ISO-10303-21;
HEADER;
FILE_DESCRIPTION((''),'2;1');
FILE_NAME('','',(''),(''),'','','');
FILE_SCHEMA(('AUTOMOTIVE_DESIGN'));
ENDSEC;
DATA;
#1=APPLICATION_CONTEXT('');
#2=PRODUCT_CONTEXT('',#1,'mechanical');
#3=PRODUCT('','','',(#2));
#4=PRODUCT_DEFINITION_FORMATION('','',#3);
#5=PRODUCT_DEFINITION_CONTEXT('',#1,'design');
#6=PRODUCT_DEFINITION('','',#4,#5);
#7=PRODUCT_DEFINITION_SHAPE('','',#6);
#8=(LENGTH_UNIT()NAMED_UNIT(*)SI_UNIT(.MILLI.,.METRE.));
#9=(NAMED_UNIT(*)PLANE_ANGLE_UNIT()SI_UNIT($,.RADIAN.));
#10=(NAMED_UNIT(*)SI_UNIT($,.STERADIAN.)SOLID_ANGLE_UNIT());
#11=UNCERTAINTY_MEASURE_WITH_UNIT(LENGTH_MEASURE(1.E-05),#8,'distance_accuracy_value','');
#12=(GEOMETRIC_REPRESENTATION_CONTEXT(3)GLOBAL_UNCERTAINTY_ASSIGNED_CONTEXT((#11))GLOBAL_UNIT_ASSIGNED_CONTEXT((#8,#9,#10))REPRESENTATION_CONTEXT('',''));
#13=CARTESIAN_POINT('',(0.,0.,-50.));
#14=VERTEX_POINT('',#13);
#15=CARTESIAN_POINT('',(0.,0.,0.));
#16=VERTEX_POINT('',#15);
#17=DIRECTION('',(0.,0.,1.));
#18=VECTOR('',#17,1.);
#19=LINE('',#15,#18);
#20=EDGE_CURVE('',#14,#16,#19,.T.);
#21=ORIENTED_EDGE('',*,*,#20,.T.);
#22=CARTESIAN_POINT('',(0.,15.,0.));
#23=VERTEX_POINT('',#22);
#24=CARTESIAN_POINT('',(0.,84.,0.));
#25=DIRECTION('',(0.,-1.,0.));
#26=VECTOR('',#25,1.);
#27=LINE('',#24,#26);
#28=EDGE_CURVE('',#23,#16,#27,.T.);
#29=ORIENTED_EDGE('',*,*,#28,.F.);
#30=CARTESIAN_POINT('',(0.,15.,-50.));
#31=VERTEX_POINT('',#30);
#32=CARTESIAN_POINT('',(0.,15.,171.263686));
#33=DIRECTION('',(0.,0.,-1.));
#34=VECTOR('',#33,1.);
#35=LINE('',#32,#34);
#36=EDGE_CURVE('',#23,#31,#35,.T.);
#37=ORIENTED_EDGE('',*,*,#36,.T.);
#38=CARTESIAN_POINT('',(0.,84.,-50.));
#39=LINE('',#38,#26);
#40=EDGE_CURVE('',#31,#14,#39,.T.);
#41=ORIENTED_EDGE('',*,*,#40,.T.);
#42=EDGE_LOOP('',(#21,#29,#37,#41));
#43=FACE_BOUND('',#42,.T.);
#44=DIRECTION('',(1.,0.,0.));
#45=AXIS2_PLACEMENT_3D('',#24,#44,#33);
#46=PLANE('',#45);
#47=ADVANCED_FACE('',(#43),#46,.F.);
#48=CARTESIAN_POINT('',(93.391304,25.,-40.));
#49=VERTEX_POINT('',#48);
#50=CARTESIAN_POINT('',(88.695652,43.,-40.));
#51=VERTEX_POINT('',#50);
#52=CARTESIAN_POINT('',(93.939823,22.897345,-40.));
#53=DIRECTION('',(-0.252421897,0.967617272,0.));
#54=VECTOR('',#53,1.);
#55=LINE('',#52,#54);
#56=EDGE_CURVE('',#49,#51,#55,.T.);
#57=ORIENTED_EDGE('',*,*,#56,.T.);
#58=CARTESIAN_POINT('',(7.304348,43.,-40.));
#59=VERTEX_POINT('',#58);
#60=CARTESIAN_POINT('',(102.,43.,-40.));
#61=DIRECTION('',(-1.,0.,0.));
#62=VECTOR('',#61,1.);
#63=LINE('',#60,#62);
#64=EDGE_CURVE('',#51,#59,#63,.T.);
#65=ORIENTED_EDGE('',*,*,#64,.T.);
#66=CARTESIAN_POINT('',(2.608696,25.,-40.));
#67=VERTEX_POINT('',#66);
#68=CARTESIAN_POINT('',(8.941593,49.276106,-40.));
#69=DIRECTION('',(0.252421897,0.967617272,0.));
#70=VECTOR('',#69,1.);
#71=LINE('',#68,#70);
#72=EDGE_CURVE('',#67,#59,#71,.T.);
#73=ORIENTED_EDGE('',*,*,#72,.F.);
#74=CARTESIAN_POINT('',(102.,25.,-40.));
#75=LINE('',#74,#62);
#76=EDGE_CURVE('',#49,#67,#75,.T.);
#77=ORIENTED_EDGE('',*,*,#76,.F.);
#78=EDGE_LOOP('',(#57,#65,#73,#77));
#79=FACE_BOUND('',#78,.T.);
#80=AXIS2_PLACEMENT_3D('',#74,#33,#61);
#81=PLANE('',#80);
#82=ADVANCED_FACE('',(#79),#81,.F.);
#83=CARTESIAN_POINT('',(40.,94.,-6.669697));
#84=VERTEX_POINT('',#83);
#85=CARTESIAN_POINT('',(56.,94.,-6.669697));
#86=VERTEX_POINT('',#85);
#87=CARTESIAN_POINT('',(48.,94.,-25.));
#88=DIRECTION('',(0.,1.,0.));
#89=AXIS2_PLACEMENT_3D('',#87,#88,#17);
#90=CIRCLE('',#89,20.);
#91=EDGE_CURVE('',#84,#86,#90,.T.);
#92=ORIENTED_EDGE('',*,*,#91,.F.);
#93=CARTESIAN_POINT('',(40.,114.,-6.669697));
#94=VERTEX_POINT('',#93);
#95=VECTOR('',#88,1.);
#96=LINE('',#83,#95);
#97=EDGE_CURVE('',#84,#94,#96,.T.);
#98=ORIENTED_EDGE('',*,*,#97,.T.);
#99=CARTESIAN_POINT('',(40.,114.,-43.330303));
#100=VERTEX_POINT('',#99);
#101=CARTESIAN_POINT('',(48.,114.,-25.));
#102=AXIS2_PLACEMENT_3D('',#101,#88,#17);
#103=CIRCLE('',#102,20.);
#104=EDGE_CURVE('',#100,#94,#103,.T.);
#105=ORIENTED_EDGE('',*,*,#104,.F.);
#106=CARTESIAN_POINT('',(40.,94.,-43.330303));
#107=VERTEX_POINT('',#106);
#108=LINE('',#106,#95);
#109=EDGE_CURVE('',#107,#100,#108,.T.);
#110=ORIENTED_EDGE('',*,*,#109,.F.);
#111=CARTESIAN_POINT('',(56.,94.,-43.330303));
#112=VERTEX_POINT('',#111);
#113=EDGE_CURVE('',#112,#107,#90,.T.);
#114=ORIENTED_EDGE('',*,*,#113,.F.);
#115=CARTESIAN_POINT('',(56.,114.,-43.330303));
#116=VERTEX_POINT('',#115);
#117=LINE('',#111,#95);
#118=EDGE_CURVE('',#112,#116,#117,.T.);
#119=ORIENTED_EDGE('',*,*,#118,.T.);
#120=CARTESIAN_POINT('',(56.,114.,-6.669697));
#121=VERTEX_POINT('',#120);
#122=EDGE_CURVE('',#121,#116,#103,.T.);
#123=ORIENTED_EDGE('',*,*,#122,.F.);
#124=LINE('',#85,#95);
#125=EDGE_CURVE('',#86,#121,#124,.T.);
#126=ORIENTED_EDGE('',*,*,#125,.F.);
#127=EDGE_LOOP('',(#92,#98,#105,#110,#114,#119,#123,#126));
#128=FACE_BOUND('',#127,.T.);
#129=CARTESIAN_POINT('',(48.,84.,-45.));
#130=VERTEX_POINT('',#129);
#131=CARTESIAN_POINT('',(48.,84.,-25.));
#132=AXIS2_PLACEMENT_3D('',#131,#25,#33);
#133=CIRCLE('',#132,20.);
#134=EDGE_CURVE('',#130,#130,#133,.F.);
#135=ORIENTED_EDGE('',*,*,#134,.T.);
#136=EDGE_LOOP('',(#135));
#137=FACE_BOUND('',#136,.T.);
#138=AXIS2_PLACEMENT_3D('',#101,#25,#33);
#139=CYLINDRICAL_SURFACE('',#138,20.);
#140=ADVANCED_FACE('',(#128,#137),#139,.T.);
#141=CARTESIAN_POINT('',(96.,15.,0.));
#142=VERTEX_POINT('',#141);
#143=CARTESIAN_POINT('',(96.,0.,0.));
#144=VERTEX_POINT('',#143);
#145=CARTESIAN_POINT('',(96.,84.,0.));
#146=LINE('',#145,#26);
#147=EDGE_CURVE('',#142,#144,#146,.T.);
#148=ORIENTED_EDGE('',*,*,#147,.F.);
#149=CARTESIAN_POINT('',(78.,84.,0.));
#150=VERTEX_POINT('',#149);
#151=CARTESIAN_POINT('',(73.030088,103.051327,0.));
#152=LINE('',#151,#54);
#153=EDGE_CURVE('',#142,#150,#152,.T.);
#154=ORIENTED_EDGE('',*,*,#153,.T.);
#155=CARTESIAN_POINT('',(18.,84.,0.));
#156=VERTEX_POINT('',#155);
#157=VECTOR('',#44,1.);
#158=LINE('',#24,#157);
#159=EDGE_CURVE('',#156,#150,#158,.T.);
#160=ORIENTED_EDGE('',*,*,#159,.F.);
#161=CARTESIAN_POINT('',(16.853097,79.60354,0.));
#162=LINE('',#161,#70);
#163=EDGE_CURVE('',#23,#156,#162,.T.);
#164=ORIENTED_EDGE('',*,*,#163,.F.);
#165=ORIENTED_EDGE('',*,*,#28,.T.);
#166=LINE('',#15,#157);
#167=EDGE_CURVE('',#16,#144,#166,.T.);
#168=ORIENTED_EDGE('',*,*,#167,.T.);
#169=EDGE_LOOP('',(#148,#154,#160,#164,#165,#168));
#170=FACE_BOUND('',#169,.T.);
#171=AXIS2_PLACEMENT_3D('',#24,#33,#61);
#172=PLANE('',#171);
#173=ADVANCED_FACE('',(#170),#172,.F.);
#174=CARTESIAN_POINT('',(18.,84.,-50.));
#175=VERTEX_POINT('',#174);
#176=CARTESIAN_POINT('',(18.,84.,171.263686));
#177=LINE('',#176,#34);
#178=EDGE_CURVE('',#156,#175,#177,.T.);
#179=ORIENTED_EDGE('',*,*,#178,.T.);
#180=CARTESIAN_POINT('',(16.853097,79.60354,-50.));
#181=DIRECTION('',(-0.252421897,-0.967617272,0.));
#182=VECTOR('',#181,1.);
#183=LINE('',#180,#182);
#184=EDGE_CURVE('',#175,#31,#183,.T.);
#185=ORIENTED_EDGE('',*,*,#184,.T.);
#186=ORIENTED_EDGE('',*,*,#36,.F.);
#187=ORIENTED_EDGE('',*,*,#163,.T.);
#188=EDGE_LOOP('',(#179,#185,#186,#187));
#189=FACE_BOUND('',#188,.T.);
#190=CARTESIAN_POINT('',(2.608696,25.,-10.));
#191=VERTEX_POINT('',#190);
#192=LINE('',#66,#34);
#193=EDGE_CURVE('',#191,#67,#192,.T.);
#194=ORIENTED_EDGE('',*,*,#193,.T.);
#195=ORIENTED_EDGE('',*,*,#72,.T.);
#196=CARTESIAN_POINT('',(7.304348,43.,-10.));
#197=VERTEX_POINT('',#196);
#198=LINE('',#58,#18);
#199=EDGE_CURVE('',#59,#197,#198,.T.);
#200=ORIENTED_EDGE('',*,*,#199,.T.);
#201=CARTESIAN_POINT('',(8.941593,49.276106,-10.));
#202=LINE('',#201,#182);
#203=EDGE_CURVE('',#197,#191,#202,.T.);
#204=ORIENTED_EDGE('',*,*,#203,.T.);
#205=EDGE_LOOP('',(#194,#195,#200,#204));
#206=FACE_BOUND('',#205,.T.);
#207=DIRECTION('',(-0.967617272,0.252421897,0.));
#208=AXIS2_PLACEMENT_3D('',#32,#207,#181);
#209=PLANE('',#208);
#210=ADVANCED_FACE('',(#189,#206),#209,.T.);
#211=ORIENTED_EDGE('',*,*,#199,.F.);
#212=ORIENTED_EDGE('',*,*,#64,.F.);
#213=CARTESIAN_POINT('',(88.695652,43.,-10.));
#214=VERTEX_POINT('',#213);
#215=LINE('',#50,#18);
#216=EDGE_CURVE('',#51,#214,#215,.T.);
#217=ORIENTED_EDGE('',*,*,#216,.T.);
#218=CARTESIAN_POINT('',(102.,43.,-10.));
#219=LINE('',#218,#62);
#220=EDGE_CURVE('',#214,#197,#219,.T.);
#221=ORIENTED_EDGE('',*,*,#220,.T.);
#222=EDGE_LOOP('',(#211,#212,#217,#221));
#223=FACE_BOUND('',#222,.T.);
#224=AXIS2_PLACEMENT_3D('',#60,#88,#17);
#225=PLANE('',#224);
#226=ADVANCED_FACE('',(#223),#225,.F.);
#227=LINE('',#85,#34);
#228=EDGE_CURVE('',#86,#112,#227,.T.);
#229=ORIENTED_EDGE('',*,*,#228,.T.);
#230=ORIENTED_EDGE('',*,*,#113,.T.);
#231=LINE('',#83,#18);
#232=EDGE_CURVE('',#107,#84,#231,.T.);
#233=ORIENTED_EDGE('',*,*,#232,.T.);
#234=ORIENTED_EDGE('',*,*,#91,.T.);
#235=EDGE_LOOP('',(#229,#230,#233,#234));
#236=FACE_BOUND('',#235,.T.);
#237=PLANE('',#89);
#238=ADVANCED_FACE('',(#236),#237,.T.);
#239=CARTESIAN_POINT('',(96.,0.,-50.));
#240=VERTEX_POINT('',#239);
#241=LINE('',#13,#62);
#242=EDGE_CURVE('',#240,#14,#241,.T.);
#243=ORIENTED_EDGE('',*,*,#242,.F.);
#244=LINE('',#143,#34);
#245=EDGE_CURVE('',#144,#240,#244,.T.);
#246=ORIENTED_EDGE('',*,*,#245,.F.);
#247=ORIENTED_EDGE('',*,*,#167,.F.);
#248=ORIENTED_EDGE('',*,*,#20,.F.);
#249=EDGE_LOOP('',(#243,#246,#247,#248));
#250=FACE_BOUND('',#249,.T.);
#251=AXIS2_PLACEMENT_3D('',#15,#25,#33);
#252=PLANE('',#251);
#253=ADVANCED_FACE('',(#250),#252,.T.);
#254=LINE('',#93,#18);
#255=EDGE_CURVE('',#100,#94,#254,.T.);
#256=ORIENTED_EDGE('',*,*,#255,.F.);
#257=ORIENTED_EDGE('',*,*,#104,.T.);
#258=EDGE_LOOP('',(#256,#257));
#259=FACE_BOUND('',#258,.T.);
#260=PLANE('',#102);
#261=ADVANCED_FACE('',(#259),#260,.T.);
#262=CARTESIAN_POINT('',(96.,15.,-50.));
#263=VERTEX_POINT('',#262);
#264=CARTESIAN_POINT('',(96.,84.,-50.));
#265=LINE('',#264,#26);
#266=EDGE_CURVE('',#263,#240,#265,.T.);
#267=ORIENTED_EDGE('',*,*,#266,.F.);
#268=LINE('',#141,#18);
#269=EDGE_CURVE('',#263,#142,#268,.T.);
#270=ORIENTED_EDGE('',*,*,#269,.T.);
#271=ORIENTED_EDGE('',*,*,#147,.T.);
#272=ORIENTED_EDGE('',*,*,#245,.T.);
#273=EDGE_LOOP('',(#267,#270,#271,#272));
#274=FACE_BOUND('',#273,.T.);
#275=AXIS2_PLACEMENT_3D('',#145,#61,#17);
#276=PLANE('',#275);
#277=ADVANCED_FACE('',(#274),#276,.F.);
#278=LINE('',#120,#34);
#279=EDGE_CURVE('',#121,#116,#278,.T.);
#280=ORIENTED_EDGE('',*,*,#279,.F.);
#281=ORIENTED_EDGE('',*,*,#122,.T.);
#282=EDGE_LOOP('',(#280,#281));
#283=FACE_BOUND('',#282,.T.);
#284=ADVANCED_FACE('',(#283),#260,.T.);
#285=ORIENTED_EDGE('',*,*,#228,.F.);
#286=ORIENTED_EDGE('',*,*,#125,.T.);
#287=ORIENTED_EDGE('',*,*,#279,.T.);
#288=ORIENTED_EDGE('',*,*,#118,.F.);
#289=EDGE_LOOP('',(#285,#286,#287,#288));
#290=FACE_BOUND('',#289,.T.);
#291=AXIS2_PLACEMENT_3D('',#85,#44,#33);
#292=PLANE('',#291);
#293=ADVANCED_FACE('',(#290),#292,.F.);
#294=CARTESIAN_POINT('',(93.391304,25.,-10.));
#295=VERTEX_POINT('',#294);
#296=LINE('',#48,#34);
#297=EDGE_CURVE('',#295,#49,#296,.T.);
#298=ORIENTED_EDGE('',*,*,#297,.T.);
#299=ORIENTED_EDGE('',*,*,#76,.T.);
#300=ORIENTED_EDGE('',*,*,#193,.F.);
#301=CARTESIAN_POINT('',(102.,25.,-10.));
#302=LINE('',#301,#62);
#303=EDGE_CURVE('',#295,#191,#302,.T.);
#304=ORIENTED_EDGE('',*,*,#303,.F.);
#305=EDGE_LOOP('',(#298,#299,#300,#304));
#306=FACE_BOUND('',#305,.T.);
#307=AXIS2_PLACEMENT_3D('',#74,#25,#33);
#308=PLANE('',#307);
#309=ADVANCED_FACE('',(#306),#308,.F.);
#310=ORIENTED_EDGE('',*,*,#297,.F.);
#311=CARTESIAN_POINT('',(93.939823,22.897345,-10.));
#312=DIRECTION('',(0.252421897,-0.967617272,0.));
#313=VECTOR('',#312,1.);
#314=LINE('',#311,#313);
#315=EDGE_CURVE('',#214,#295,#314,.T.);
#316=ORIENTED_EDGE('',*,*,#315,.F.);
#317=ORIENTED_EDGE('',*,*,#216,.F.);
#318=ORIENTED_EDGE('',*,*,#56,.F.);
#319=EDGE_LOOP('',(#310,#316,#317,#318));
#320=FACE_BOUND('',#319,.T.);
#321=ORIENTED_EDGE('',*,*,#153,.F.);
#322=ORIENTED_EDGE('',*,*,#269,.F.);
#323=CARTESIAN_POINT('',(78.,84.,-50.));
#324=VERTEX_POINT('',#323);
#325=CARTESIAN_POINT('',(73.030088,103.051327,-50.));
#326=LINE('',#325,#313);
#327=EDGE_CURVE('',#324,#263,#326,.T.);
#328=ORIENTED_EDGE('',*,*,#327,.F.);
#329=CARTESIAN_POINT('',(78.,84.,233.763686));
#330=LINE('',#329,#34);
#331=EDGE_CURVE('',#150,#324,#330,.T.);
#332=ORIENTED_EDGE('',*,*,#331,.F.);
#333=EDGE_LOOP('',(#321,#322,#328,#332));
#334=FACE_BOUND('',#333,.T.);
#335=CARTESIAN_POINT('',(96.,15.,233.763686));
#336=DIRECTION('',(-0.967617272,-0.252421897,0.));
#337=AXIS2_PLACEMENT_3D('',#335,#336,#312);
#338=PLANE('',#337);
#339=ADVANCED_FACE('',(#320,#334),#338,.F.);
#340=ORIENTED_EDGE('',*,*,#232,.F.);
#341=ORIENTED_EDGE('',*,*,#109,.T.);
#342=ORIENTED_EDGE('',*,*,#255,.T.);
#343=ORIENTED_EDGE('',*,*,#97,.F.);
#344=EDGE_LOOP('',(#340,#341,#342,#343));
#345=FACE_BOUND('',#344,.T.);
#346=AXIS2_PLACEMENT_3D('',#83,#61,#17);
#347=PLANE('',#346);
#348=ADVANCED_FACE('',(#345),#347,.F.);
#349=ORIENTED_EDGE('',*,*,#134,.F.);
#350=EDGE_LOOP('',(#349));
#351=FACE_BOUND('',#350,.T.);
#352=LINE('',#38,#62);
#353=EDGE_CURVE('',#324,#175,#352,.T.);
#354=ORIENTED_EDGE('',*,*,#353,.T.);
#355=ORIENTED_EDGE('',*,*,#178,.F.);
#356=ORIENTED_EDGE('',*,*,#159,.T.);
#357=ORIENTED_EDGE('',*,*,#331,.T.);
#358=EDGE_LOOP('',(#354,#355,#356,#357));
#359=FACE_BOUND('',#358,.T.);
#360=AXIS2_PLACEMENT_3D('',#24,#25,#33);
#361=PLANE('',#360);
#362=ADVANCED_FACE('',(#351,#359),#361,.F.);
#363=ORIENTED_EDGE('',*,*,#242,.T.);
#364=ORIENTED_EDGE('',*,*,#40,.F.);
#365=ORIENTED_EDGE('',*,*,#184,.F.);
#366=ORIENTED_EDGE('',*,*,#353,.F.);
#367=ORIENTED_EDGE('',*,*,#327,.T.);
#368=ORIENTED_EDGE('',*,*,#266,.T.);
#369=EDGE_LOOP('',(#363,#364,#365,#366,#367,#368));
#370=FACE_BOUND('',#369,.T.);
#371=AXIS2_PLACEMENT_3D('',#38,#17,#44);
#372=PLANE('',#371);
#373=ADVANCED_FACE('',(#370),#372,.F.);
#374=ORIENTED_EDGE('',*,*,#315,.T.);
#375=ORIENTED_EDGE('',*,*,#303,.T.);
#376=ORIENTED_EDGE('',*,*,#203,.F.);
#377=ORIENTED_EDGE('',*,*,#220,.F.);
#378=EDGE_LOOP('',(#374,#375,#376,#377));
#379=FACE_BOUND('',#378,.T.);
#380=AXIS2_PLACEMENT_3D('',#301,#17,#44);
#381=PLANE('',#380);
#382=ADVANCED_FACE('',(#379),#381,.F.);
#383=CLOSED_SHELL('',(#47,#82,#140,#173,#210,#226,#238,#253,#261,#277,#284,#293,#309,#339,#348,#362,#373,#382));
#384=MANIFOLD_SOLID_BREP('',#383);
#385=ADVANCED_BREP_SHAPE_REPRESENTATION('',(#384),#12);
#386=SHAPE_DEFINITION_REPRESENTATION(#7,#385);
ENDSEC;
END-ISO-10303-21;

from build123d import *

# Parameters (mm, degrees)
SKETCH1_W           = 96
SKETCH1_H           = 50
BOSS_EXTRUDE1_DEPTH = 84
SKETCH5_W           = 30
SKETCH5_H           = 18
CUT_EXTRUDE2_DEPTH  = 102
CUT_EXTRUDE1_START  = -51
CUT_EXTRUDE1_DEPTH  = 52
SKETCH6_R           = 20
BOSS_EXTRUDE2_DEPTH = 30
CUT_EXTRUDE3_DEPTH  = 20


with BuildPart() as part:
    # Sketch1 → Boss-Extrude1 (new body)
    with BuildSketch(Plane(origin=(0, 0, 0), x_dir=(1, 0, 0), z_dir=(0, 1, 0))):
        with Locations((48, 25)):
            Rectangle(SKETCH1_W, SKETCH1_H)
    extrude(amount=BOSS_EXTRUDE1_DEPTH)

    # Sketch5 → Cut-Extrude2 (cut)
    with BuildSketch(Plane.ZY):
        with Locations((-25, 34)):
            Rectangle(SKETCH5_W, SKETCH5_H)
    extrude(amount=-CUT_EXTRUDE2_DEPTH, mode=Mode.SUBTRACT)

    # Sketch2 → Cut-Extrude1 (cut)
    with BuildSketch(Plane.XY.offset(CUT_EXTRUDE1_START)):
        Polygon((-62.209054952, -223.468043983), (0, 15), (18, 84), (80.209054952, 322.468043983), (-396.727033013, 446.886153886), (-539.145142917, -99.049934079), align=None)
    cut_extrude1 = extrude(amount=CUT_EXTRUDE1_DEPTH, mode=Mode.SUBTRACT)

    # Mirror1: Cut-Extrude1 across plane
    add(cut_extrude1.mirror(Plane.ZY.offset(-48)), mode=Mode.SUBTRACT)

    # Sketch6 → Boss-Extrude2 (add)
    with BuildSketch(Plane(origin=(0, 84, 0), x_dir=(1, 0, 0), z_dir=(0, 1, 0))):
        with Locations((48, 25)):
            Circle(SKETCH6_R)
    extrude(amount=BOSS_EXTRUDE2_DEPTH)

    # Sketch8 → Cut-Extrude3 (cut)
    with BuildSketch(Plane(origin=(0, 114, 0), x_dir=(1, 0, 0), z_dir=(0, 1, 0))):
        with BuildLine():
            Line((40, 6.66969722), (40, 43.33030278))
            ThreePointArc((40, 43.33030278), (48, 45), (56, 43.33030278))
            Line((56, 43.33030278), (56, 6.66969722))
            ThreePointArc((56, 6.66969722), (48, 5), (40, 6.66969722))
        make_face()
    extrude(amount=-CUT_EXTRUDE3_DEPTH, mode=Mode.SUBTRACT)


solid = part.part
